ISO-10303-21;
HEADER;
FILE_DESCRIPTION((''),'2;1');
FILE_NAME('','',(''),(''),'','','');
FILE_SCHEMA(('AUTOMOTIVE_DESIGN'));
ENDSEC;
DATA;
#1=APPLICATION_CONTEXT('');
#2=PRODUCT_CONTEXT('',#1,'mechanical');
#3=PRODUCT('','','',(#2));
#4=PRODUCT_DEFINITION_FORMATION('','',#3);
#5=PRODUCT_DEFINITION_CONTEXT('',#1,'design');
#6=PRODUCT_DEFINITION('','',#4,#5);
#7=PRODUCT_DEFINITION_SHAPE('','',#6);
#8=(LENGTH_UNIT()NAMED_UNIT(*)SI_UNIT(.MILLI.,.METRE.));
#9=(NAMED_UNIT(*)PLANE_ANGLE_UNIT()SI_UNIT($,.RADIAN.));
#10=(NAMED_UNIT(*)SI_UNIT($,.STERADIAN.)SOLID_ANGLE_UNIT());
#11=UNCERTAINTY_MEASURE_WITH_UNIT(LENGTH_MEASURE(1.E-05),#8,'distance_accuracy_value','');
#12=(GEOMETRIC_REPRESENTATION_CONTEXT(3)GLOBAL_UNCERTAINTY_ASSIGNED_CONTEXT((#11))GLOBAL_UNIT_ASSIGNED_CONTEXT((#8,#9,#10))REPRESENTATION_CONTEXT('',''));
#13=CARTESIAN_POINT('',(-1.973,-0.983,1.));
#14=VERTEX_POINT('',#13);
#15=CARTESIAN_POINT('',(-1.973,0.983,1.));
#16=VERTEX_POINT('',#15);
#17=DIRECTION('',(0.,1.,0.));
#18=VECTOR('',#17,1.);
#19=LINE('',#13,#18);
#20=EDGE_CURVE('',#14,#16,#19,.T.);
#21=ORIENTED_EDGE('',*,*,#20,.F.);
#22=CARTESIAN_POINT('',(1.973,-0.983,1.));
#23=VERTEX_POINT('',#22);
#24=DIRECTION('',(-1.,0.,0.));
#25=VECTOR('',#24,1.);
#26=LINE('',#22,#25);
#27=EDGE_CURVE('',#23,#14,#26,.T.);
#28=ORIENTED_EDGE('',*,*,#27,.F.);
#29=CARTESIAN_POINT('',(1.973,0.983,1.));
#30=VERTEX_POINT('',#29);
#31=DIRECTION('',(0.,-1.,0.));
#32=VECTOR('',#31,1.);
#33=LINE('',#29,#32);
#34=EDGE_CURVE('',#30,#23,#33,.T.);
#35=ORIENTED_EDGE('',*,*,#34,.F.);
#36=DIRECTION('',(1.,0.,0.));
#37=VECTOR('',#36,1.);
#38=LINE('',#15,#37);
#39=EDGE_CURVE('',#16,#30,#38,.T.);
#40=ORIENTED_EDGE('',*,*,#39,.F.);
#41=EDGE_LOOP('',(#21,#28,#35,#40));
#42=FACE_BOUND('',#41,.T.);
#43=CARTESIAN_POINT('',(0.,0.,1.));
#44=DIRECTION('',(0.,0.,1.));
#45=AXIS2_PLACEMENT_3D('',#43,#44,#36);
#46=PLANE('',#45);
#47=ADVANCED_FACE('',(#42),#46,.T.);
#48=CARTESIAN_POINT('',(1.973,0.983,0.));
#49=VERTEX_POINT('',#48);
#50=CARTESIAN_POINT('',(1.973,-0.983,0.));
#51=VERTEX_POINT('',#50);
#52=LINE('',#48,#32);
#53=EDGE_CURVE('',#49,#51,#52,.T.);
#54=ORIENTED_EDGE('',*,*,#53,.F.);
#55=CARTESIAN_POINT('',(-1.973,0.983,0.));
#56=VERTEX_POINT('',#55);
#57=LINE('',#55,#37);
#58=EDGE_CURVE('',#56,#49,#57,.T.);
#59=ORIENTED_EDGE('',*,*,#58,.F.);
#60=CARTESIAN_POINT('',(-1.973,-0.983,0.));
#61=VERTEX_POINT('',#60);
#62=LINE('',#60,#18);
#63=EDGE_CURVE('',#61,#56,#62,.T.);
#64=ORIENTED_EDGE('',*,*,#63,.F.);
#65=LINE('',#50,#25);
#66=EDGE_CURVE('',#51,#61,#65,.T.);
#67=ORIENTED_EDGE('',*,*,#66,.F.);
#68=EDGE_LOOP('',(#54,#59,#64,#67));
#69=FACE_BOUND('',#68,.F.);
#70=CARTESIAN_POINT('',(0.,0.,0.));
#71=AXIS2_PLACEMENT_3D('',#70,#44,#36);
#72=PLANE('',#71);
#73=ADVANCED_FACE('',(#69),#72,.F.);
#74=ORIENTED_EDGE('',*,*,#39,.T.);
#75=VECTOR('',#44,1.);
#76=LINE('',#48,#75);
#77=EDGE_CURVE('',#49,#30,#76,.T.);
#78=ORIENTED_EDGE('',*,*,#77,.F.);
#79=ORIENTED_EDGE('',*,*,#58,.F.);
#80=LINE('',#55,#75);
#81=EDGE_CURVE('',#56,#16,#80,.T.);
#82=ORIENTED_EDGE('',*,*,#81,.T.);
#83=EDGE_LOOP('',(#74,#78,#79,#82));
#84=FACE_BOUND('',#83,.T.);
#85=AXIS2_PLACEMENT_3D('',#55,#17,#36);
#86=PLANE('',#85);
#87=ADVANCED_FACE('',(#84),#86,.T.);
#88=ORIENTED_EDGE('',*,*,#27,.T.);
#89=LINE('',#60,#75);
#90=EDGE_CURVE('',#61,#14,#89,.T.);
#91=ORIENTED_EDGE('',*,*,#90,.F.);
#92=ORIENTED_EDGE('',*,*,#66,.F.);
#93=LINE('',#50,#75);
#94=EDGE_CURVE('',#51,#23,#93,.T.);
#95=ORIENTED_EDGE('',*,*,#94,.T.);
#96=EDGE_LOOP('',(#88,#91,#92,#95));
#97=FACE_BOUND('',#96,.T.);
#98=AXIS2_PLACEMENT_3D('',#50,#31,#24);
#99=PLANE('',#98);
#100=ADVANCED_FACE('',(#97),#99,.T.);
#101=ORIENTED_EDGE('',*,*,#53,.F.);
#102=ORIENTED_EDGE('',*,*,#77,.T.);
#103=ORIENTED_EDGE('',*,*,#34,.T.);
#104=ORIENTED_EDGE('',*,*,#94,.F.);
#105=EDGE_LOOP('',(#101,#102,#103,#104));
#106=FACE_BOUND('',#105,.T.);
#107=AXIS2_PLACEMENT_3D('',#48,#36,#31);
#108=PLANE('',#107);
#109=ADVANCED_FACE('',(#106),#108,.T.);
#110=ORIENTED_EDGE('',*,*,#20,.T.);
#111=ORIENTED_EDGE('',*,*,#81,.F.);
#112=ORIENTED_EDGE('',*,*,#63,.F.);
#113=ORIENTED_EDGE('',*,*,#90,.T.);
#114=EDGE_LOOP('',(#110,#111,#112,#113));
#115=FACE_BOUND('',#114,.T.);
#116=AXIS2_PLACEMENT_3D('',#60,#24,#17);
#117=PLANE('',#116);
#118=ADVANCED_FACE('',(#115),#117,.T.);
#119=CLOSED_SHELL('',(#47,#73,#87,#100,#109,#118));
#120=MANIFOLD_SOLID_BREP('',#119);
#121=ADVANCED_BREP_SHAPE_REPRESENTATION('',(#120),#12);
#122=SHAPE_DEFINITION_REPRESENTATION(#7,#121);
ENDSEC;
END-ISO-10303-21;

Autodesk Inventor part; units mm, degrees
ref_plane "YZ Plane" through (0, 0, 0) normal (1, 0, 0) x (0, 1, 0)
ref_plane "XZ Plane" through (0, 0, 0) normal (0, 1, 0) x (-1, 0, 0)
ref_plane "XY Plane" through (0, 0, 0) normal (0, 0, 1) x (1, 0, 0)
sketch "R0805, 21_5K_71" plane through (0, 0, 0) normal (0, 0, 1) x (1, 0, 0)
  line L0 (-1.973, 0.983) -> (1.973, 0.983)
  line L1 (1.973, 0.983) -> (1.973, -0.983)
  line L2 (1.973, -0.983) -> (-1.973, -0.983)
  line L3 (-1.973, -0.983) -> (-1.973, 0.983)
extrude "Extrusion1" add sketch "R0805, 21_5K_71" along normal blind 1
properties part number "21_5K"
